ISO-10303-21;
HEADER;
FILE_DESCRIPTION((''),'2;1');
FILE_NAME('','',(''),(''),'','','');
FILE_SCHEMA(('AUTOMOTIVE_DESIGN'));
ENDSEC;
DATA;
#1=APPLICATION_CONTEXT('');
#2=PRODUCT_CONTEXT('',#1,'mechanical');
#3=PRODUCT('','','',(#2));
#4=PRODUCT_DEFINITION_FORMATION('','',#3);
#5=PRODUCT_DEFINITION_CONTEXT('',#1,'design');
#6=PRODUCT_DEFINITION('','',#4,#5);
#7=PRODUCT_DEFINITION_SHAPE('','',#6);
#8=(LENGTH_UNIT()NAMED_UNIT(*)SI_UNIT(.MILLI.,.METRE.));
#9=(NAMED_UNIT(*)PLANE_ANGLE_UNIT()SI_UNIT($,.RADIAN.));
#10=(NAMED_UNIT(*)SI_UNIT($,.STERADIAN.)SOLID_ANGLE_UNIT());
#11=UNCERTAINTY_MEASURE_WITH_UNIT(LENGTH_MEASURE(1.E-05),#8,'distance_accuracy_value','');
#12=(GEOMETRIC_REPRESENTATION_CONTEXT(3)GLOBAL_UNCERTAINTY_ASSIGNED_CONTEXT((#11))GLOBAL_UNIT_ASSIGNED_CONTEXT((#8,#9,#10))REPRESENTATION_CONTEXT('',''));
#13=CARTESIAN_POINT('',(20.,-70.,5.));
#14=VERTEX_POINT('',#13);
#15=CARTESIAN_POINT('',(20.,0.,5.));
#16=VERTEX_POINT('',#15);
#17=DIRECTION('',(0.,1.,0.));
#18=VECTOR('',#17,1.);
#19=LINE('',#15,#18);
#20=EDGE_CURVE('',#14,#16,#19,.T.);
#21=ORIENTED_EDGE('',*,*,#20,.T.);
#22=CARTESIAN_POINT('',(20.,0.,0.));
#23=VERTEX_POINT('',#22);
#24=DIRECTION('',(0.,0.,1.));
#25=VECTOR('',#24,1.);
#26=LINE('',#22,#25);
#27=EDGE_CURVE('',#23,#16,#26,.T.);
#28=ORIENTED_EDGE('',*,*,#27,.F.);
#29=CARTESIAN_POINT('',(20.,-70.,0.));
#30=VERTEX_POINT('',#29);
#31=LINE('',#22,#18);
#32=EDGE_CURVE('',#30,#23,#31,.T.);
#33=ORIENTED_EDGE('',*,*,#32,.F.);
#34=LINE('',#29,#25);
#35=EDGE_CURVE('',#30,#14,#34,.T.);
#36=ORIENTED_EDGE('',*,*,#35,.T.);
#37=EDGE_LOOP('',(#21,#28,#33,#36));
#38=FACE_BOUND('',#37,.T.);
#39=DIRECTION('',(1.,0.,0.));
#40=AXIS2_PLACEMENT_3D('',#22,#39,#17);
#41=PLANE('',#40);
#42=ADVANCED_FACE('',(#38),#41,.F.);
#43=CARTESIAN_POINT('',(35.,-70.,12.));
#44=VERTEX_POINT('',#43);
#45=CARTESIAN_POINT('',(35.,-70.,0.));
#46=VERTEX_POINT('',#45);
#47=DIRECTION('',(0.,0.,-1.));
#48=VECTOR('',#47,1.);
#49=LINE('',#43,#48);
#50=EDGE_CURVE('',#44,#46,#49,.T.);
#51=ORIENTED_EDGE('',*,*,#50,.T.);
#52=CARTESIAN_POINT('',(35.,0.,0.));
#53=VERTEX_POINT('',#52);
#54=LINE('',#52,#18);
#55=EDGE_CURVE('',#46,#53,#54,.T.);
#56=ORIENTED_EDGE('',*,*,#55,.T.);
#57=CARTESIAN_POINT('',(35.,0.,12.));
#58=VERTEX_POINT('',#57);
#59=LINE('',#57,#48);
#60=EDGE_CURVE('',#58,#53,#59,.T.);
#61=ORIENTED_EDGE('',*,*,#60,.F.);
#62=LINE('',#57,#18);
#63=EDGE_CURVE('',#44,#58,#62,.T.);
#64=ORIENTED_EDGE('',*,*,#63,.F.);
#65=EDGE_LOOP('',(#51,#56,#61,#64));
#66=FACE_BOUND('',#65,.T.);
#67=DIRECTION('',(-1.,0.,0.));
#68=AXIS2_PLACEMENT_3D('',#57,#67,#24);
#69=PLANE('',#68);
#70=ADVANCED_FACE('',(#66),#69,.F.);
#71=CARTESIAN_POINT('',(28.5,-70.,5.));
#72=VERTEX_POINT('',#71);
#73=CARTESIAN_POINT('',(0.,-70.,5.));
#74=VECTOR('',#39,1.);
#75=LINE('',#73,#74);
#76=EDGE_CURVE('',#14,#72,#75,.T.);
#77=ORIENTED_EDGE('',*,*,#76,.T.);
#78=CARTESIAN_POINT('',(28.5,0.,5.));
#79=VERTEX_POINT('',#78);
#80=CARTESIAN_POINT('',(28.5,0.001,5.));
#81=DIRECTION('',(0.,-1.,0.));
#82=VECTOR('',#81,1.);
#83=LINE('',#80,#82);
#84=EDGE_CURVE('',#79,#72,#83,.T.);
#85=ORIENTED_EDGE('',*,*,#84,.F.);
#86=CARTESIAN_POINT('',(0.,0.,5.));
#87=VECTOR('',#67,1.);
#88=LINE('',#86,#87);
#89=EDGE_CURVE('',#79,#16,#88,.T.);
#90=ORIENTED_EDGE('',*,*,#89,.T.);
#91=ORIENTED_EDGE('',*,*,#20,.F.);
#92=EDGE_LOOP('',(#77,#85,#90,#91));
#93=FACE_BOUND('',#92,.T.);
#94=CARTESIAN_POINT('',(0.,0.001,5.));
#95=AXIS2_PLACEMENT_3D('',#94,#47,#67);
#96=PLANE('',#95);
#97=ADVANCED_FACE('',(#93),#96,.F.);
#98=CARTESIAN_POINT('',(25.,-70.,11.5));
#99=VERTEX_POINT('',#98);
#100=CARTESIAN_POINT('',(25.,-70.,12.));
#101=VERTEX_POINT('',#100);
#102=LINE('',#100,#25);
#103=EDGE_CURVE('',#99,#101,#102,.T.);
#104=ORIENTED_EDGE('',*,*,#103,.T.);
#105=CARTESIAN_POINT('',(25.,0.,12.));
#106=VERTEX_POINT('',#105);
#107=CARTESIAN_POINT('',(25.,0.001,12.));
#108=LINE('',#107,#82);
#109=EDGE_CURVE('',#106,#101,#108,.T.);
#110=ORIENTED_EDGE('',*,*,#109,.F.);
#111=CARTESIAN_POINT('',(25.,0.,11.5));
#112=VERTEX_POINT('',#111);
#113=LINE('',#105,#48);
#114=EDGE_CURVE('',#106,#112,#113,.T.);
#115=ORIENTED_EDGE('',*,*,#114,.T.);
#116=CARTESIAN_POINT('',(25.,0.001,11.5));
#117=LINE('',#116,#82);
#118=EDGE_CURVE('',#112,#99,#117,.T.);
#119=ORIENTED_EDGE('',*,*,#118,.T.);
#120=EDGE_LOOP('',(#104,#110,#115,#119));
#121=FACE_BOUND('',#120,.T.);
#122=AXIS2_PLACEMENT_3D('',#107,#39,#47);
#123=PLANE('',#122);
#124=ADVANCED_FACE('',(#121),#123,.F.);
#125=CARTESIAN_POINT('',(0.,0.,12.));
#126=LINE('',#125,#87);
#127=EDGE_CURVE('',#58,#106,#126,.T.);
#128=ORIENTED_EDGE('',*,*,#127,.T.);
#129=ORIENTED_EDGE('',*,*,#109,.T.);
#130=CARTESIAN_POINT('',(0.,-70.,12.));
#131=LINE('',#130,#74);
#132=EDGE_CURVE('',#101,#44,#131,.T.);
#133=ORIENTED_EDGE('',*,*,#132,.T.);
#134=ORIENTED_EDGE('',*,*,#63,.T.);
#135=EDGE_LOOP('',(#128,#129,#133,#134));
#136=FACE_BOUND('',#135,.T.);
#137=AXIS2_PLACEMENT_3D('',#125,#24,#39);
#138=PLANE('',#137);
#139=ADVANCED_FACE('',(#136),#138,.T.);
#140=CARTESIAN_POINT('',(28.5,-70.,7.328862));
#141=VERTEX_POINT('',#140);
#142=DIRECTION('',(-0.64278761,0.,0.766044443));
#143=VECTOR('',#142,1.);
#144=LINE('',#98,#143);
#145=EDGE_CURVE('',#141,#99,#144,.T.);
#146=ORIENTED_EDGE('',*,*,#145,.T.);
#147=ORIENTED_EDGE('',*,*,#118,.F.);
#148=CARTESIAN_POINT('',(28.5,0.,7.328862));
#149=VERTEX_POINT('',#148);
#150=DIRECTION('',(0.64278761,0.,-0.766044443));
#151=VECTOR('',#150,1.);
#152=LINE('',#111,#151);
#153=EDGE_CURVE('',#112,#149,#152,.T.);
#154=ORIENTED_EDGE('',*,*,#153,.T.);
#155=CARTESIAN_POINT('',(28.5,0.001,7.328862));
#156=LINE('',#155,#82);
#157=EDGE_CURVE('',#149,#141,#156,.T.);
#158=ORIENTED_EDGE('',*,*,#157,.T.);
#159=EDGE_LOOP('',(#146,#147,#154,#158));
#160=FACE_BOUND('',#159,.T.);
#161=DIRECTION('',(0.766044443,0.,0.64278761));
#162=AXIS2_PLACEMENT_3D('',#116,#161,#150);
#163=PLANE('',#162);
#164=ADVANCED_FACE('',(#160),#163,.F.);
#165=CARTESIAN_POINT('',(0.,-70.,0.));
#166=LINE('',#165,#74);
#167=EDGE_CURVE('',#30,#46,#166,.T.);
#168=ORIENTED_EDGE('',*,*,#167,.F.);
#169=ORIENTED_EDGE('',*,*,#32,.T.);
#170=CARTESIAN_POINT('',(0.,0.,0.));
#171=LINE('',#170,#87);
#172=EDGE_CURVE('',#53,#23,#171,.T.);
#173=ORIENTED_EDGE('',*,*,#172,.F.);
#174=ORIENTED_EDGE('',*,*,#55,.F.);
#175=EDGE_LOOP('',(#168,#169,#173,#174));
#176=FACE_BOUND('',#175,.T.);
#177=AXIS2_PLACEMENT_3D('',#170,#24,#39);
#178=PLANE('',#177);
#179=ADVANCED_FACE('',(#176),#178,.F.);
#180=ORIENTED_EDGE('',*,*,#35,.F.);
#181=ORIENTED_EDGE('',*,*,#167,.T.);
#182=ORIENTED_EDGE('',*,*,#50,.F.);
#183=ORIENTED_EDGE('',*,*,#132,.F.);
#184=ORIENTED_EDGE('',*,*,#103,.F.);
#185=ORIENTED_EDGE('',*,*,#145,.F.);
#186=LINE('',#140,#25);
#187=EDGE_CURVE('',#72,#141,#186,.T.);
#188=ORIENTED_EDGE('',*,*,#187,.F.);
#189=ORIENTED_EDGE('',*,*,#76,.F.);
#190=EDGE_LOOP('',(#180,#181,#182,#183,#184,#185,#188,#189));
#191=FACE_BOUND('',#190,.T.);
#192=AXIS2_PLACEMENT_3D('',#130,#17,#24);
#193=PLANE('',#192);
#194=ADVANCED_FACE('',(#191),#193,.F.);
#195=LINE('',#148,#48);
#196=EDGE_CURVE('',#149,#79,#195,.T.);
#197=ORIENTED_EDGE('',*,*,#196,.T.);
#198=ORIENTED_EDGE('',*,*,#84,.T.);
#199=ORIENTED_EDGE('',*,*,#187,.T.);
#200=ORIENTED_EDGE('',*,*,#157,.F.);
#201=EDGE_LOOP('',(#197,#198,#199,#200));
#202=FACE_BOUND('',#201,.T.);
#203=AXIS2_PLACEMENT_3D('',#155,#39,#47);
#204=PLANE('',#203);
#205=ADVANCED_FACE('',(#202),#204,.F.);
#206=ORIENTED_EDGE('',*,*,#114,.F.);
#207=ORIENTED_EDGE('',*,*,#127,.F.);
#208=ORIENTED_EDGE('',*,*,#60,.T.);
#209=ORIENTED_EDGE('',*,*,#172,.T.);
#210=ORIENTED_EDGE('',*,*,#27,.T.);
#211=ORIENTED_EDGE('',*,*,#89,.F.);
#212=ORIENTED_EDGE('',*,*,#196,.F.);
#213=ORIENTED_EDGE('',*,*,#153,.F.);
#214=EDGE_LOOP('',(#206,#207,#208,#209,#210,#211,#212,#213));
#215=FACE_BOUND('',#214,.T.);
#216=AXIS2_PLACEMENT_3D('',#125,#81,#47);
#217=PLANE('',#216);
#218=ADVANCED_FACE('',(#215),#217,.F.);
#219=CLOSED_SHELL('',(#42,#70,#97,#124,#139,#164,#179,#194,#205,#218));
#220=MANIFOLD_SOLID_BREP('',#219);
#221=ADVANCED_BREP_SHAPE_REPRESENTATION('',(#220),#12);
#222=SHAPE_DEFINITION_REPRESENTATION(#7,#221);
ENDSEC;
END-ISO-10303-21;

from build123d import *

# Parameters (mm, degrees)
SKETCH_1_W          = 35
SKETCH_1_H          = 70
EXTRUDE_1_DEPTH     = 12
CUT_EXTRUDE_1_REACH = 81.177
SKETCH_3_W          = 20
SKETCH_3_H          = 70
CUT_EXTRUDE_2_DEPTH = 79.574805122


with BuildPart() as part:
    # 草图1 → 凸台-拉伸1 (new body)
    with BuildSketch(Plane.XY):
        with Locations((17.5, -35)):
            Rectangle(SKETCH_1_W, SKETCH_1_H)
    extrude(amount=EXTRUDE_1_DEPTH)

    # 草图2 → 切除-拉伸1 (cut, up to next)
    with BuildSketch(Plane.XZ.offset(70), mode=Mode.PRIVATE) as cut_extrude_1_sk1:
        Polygon((28.5, 7.328862426), (28.5, 5), (0, 5), (0, 12), (25, 12), (25, 11.5), align=None)
    cut_extrude_1_tool1 = extrude(cut_extrude_1_sk1.sketch, amount=-CUT_EXTRUDE_1_REACH, mode=Mode.PRIVATE) & part.part
    add(cut_extrude_1_tool1.solids().sort_by_distance((13.633689, -70, 8.408444))[0], mode=Mode.SUBTRACT)

    # 草图3 → 切除-拉伸2 (cut, through all)
    with BuildSketch(Plane.XY.offset(5)):
        with Locations((10, -35)):
            Rectangle(SKETCH_3_W, SKETCH_3_H)
    extrude(amount=-CUT_EXTRUDE_2_DEPTH, mode=Mode.SUBTRACT)


solid = part.part
